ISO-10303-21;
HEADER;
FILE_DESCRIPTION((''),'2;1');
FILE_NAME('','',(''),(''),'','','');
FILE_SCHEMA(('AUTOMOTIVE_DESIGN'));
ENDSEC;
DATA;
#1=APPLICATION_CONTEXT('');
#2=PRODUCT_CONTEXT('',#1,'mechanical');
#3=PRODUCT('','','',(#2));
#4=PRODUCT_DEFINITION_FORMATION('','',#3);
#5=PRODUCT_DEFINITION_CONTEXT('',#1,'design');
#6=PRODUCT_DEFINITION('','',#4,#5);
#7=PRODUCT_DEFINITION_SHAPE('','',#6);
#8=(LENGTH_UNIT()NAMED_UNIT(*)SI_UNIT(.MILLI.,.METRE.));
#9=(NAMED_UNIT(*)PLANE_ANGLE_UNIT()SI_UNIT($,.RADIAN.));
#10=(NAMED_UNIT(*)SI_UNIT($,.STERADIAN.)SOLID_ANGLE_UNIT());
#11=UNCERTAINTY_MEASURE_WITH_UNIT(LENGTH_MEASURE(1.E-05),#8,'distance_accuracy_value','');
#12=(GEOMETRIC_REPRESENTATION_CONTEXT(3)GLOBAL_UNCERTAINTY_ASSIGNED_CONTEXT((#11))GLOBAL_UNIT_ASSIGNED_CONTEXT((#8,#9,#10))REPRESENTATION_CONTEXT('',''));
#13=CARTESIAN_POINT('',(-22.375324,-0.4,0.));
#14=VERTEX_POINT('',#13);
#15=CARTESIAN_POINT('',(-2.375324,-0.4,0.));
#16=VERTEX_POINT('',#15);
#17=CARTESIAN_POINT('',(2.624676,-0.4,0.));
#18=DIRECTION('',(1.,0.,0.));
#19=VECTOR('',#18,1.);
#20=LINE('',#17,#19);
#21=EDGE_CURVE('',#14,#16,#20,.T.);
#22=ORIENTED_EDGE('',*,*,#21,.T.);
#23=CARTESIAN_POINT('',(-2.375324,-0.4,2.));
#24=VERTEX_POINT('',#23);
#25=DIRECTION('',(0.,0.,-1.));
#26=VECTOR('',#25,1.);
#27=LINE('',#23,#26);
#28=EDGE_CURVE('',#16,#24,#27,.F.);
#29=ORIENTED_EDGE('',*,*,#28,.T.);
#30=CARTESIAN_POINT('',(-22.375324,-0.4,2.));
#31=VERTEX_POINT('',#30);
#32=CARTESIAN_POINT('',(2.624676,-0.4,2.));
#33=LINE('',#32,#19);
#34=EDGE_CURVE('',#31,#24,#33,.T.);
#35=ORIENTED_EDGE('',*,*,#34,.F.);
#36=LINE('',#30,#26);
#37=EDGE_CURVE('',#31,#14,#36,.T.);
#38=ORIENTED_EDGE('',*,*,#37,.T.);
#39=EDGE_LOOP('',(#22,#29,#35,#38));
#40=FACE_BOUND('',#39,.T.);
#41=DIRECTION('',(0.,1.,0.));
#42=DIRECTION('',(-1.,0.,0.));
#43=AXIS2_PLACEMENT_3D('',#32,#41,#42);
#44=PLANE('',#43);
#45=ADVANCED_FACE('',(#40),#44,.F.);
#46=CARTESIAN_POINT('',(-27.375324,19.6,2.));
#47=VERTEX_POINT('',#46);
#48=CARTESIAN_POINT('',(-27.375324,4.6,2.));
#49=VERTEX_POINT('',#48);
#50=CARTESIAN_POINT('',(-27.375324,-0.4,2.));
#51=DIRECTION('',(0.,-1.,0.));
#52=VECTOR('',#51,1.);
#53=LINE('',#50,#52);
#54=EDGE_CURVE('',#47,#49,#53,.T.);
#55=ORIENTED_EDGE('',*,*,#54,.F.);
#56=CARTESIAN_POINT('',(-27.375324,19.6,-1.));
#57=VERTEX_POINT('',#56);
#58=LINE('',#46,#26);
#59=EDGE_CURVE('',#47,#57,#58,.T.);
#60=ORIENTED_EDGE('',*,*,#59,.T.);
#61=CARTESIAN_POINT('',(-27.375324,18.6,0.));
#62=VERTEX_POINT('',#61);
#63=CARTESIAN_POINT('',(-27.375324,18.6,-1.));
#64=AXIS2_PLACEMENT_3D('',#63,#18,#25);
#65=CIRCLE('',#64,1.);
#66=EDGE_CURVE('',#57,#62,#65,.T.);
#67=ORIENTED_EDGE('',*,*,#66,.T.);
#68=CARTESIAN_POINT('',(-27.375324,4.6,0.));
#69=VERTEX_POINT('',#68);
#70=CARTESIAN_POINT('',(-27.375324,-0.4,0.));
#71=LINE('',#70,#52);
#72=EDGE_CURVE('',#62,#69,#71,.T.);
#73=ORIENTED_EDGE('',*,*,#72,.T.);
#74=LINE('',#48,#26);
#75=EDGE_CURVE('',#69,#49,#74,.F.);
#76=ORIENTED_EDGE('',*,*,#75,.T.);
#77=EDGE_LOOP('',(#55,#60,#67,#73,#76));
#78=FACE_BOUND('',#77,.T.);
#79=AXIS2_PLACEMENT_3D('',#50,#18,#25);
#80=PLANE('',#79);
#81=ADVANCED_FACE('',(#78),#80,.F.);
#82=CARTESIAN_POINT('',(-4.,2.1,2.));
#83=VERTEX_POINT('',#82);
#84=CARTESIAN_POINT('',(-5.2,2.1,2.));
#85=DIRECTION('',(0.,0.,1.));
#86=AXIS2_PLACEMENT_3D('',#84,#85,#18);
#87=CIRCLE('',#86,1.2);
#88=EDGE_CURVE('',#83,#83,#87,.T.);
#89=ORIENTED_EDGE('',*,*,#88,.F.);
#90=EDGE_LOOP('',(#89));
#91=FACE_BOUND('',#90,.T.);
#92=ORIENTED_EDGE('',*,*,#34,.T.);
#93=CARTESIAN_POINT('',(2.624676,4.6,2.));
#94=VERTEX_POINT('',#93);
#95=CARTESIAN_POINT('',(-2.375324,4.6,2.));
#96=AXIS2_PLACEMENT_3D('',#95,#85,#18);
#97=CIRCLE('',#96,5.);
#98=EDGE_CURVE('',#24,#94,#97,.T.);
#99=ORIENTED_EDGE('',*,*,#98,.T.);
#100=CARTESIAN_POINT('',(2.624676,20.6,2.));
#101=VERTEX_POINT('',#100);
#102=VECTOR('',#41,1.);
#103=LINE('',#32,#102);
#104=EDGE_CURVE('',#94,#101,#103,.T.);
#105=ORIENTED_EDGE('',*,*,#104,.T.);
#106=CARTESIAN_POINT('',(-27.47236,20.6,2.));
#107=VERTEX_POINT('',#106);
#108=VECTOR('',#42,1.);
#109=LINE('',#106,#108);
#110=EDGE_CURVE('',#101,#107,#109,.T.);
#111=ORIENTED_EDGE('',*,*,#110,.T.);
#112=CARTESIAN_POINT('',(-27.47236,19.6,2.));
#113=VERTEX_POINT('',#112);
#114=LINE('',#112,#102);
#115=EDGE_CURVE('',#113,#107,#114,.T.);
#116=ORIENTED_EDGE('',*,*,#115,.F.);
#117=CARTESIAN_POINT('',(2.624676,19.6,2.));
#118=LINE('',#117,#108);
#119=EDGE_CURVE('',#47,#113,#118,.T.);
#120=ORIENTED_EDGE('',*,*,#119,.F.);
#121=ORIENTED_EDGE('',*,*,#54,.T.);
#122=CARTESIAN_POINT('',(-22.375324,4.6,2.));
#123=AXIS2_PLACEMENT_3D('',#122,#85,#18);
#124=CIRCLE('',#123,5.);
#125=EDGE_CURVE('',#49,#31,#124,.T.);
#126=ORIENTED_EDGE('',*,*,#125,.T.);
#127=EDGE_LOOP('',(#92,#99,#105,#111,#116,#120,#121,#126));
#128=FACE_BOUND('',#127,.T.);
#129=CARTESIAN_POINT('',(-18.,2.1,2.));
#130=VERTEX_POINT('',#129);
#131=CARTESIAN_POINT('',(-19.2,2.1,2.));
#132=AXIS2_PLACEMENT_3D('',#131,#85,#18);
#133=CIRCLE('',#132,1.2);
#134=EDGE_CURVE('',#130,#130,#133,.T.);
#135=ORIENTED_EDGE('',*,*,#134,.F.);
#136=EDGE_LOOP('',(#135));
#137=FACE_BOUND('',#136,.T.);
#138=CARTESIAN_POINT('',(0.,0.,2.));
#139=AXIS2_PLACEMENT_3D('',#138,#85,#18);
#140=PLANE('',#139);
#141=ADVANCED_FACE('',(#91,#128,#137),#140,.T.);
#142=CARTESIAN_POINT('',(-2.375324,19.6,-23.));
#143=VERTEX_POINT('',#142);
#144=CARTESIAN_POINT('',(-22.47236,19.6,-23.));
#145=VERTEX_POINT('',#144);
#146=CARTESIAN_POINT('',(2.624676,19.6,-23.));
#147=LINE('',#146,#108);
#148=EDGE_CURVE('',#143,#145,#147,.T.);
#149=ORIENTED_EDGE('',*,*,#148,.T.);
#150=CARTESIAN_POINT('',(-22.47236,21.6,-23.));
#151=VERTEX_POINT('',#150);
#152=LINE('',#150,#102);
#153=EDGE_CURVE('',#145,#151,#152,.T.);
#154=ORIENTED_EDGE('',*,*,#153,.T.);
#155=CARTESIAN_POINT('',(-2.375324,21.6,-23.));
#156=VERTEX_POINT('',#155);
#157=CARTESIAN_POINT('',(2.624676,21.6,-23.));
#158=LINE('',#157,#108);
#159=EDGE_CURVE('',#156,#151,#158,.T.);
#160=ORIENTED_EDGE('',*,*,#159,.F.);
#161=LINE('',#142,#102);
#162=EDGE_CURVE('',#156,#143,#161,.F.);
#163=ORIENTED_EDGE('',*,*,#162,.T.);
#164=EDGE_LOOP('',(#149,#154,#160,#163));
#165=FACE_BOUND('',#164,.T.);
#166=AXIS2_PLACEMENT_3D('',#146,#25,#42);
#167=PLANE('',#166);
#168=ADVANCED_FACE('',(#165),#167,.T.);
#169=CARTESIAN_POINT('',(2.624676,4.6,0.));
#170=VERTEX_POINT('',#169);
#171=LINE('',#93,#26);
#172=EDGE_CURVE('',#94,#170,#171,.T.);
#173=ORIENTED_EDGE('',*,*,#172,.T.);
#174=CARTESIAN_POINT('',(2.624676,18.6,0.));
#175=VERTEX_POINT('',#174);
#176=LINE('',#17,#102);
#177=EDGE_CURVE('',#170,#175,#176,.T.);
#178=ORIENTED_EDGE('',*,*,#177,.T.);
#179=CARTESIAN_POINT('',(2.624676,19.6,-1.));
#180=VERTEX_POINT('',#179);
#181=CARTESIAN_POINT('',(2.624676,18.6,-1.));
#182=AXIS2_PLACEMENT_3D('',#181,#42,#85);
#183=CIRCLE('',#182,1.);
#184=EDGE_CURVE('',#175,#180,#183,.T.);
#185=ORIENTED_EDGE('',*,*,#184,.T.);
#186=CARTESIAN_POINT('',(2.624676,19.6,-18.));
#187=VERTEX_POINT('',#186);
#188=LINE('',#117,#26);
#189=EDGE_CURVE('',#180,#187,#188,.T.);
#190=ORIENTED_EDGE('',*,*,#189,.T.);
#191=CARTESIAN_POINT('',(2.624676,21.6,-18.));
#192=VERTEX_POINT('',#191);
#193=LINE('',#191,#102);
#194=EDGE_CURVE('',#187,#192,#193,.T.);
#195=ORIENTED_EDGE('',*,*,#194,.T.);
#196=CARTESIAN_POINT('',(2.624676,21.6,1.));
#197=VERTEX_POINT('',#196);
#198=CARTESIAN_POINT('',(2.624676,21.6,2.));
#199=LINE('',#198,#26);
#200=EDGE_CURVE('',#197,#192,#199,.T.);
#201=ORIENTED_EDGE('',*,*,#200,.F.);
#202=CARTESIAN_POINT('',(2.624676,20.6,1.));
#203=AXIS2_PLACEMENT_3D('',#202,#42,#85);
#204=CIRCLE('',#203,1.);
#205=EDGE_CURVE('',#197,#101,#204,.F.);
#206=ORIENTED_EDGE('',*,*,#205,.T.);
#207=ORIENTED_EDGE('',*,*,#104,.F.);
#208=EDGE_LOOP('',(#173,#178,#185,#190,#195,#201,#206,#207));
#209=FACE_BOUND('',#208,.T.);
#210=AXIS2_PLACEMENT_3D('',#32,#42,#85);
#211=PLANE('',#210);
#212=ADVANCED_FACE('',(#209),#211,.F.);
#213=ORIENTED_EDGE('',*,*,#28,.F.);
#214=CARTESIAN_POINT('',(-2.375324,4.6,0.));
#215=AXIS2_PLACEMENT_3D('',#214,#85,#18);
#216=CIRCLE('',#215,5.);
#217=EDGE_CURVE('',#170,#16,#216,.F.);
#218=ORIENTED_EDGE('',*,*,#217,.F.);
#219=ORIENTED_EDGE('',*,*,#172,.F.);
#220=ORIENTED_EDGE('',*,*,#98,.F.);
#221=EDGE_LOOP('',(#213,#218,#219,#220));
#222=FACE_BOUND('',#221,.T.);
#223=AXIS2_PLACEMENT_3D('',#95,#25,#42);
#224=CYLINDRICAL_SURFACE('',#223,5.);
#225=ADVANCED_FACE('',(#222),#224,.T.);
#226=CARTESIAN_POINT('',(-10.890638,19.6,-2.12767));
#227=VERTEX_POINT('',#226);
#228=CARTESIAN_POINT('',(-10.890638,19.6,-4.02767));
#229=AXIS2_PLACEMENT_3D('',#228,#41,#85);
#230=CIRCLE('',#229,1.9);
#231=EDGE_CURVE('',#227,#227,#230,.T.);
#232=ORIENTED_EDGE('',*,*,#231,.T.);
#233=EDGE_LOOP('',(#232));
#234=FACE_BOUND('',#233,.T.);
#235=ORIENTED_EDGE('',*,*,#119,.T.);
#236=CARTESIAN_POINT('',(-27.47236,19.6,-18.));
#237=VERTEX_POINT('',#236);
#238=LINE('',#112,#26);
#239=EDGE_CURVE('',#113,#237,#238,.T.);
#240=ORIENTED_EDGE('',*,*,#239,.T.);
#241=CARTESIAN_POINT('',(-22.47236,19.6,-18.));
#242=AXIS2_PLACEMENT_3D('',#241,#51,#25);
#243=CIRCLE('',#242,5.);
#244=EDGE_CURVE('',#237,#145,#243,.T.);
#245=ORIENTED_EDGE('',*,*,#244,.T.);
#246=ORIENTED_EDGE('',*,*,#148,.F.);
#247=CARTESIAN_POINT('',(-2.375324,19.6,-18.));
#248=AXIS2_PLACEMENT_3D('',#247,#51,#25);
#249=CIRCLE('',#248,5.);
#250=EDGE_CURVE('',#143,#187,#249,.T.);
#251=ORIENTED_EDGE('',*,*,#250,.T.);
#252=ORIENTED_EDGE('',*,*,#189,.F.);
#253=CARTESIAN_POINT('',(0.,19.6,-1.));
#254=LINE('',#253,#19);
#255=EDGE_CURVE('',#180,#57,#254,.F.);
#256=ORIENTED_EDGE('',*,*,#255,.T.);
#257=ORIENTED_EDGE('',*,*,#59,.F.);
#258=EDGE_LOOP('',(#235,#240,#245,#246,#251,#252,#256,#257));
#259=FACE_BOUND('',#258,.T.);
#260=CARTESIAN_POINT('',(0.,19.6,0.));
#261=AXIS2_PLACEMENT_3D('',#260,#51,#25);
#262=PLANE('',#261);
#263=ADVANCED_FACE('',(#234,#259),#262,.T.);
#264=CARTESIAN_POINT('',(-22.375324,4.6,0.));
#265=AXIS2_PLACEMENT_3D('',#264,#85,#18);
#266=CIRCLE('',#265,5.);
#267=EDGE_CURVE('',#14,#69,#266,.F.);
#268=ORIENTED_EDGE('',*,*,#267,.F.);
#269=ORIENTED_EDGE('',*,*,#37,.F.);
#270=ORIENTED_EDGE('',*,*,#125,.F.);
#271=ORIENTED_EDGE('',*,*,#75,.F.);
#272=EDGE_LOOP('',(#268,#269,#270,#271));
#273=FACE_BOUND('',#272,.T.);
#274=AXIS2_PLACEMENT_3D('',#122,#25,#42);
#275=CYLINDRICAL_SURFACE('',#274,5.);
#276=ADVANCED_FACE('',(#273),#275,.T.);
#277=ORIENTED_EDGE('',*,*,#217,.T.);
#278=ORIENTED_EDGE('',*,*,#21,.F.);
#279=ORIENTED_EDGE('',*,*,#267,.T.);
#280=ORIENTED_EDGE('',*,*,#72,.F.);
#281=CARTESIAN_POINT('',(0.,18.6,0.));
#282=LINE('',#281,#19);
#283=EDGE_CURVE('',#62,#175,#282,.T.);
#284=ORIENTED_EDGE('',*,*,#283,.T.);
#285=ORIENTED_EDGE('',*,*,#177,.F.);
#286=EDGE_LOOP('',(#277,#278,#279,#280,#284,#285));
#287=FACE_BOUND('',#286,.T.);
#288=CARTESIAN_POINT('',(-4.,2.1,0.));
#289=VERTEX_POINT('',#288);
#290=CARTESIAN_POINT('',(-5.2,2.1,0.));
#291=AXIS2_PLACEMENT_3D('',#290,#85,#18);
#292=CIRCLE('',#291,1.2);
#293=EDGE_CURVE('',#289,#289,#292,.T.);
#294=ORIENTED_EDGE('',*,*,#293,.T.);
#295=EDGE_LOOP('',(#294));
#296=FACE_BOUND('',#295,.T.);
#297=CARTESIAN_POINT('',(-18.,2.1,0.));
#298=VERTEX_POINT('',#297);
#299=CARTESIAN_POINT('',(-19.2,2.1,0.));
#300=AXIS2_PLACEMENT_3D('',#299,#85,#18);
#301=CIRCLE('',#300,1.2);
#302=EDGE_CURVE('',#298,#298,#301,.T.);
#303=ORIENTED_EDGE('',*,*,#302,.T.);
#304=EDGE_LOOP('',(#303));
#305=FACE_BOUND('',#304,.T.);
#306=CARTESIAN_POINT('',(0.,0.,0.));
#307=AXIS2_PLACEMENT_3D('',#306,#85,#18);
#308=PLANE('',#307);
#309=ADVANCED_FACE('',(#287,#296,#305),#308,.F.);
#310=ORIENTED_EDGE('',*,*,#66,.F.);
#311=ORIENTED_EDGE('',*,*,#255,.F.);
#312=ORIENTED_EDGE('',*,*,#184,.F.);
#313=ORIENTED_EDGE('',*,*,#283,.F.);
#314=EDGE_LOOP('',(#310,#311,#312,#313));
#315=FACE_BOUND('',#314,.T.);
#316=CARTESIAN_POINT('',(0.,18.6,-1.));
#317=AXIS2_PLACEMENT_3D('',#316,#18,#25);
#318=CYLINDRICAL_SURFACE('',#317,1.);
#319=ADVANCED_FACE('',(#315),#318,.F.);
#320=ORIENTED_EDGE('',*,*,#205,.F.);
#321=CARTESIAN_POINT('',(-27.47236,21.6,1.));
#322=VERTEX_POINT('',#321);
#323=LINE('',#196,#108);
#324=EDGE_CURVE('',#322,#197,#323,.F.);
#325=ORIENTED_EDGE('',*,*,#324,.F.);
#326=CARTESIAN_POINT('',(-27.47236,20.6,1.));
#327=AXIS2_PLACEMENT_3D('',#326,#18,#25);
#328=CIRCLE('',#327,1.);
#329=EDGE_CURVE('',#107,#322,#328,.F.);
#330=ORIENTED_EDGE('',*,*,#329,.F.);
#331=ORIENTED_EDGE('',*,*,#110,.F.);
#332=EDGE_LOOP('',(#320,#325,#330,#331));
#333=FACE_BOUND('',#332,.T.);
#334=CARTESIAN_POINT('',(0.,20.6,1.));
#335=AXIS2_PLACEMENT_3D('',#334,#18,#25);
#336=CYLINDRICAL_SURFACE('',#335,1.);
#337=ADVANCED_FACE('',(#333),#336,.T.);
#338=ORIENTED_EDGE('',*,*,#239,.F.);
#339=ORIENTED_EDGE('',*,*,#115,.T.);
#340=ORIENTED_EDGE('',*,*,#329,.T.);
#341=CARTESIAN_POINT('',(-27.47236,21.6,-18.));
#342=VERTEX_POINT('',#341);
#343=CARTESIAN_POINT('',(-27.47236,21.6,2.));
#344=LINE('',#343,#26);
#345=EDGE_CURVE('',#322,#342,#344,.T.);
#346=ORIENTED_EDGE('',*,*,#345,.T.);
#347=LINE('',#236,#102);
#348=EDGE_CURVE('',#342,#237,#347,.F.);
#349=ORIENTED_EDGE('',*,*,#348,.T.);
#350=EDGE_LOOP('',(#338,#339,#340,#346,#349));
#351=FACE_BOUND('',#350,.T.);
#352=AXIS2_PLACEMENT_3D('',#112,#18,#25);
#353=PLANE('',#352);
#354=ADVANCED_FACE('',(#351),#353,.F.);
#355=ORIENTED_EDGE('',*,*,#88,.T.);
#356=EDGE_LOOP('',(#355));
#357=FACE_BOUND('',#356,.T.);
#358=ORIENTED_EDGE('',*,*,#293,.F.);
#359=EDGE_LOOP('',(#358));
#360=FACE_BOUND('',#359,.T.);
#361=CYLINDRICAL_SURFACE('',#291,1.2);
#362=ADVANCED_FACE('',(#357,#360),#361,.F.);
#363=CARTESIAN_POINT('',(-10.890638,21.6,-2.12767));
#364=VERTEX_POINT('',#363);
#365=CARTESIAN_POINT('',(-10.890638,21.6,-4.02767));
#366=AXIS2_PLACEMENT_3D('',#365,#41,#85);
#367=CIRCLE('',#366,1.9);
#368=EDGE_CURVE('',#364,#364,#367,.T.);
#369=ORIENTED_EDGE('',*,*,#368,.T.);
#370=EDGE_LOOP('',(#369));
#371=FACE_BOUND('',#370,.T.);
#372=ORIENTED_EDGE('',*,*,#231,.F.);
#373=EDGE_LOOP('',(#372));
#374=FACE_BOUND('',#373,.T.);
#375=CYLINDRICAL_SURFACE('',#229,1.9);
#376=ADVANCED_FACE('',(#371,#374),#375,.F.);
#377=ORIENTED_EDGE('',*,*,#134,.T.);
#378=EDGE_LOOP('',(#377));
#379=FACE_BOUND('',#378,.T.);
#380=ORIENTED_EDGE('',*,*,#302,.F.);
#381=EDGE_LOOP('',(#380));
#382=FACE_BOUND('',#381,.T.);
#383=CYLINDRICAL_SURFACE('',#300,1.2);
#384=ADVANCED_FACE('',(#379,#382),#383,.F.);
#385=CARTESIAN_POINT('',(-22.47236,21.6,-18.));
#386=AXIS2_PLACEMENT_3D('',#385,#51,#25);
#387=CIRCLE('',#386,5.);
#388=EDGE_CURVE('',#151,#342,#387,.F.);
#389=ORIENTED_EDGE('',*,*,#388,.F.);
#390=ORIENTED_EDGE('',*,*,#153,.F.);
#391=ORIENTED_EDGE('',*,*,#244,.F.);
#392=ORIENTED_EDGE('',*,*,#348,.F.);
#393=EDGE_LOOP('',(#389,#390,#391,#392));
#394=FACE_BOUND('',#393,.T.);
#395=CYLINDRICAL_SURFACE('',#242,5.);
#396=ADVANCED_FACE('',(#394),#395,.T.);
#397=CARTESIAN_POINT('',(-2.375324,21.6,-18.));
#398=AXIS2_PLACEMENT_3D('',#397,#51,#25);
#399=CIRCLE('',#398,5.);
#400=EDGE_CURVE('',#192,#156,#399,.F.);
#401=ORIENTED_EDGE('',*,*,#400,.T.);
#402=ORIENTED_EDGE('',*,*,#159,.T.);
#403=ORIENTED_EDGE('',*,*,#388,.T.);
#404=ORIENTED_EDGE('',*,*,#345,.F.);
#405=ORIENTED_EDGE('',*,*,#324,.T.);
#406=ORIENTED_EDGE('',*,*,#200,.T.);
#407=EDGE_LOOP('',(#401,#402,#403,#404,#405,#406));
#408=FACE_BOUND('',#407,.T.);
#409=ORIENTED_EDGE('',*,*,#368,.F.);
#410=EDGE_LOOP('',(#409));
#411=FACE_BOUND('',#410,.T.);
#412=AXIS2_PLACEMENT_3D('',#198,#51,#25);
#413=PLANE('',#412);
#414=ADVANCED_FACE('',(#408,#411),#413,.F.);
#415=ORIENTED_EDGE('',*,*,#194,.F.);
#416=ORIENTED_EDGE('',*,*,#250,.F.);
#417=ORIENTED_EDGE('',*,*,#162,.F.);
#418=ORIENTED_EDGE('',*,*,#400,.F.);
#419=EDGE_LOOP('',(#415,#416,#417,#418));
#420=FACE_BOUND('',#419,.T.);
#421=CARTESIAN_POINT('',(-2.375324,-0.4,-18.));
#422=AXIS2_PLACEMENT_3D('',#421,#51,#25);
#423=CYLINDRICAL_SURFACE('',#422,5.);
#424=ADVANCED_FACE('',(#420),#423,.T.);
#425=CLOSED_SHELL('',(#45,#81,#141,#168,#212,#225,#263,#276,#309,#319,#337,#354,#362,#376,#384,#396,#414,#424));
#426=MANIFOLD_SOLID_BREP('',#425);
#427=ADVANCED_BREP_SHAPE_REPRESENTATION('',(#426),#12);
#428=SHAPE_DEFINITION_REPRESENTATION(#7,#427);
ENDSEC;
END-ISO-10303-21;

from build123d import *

# Parameters (mm, degrees)
SKETCH2_W           = 30
SKETCH2_H           = 22
BOSS_EXTRUDE1_DEPTH = 2
SKETCH3_W           = 30.097036207
SKETCH3_H           = 25
BOSS_EXTRUDE2_DEPTH = 2
SKETCH4_R           = 1.2
CUT_EXTRUDE1_DEPTH  = 2
FILLET1_R           = 1
FILLET2_R           = 1
FILLET3_R           = 5
FILLET4_R           = 5
SKETCH5_R           = 1.9
CUT_EXTRUDE2_DEPTH  = 2


with BuildPart() as part:
    # Sketch2 → Boss-Extrude1 (new body)
    with BuildSketch(Plane.XY):
        with Locations((-12.375323898, 10.6)):
            Rectangle(SKETCH2_W, SKETCH2_H)
    extrude(amount=BOSS_EXTRUDE1_DEPTH)

    # Sketch3 → Boss-Extrude2 (add)
    with BuildSketch(Plane(origin=(0, 21.6, 0), x_dir=(1, 0, 0), z_dir=(0, 1, 0))):
        with Locations((-12.423842002, 10.5)):
            Rectangle(SKETCH3_W, SKETCH3_H)
    extrude(amount=-BOSS_EXTRUDE2_DEPTH)

    # Sketch4 → Cut-Extrude1 (cut)
    with BuildSketch(Plane.XY.offset(2)):
        with Locations((-5.2, 2.1)):
            Circle(SKETCH4_R)
        with Locations((-19.2, 2.1)):
            Circle(SKETCH4_R)
    extrude(amount=-CUT_EXTRUDE1_DEPTH, mode=Mode.SUBTRACT)

    # Fillet1
    fillet1_edges = [part.edges().sort_by_distance(p)[0] for p in [
        (-12.375323898, 19.6, 0),
    ]]
    fillet(fillet1_edges, radius=FILLET1_R)

    # Fillet2
    fillet2_edges = [part.edges().sort_by_distance(p)[0] for p in [
        (-12.423842002, 21.6, 2),
    ]]
    fillet(fillet2_edges, radius=FILLET2_R)

    # Fillet3
    fillet3_edges = [part.edges().sort_by_distance(p)[0] for p in [
        (2.624676102, -0.4, 1),
        (-27.375323898, -0.4, 1),
    ]]
    fillet(fillet3_edges, radius=FILLET3_R)

    # Fillet4
    fillet4_edges = [part.edges().sort_by_distance(p)[0] for p in [
        (2.624676102, 20.6, -23),
        (-27.472360105, 20.6, -23),
    ]]
    fillet(fillet4_edges, radius=FILLET4_R)

    # Sketch5 → Cut-Extrude2 (cut)
    with BuildSketch(Plane(origin=(0, 21.6, 0), x_dir=(1, 0, 0), z_dir=(0, 1, 0))):
        with Locations((-10.890638189, 4.027670227)):
            Circle(SKETCH5_R)
    extrude(amount=-CUT_EXTRUDE2_DEPTH, mode=Mode.SUBTRACT)


solid = part.part
